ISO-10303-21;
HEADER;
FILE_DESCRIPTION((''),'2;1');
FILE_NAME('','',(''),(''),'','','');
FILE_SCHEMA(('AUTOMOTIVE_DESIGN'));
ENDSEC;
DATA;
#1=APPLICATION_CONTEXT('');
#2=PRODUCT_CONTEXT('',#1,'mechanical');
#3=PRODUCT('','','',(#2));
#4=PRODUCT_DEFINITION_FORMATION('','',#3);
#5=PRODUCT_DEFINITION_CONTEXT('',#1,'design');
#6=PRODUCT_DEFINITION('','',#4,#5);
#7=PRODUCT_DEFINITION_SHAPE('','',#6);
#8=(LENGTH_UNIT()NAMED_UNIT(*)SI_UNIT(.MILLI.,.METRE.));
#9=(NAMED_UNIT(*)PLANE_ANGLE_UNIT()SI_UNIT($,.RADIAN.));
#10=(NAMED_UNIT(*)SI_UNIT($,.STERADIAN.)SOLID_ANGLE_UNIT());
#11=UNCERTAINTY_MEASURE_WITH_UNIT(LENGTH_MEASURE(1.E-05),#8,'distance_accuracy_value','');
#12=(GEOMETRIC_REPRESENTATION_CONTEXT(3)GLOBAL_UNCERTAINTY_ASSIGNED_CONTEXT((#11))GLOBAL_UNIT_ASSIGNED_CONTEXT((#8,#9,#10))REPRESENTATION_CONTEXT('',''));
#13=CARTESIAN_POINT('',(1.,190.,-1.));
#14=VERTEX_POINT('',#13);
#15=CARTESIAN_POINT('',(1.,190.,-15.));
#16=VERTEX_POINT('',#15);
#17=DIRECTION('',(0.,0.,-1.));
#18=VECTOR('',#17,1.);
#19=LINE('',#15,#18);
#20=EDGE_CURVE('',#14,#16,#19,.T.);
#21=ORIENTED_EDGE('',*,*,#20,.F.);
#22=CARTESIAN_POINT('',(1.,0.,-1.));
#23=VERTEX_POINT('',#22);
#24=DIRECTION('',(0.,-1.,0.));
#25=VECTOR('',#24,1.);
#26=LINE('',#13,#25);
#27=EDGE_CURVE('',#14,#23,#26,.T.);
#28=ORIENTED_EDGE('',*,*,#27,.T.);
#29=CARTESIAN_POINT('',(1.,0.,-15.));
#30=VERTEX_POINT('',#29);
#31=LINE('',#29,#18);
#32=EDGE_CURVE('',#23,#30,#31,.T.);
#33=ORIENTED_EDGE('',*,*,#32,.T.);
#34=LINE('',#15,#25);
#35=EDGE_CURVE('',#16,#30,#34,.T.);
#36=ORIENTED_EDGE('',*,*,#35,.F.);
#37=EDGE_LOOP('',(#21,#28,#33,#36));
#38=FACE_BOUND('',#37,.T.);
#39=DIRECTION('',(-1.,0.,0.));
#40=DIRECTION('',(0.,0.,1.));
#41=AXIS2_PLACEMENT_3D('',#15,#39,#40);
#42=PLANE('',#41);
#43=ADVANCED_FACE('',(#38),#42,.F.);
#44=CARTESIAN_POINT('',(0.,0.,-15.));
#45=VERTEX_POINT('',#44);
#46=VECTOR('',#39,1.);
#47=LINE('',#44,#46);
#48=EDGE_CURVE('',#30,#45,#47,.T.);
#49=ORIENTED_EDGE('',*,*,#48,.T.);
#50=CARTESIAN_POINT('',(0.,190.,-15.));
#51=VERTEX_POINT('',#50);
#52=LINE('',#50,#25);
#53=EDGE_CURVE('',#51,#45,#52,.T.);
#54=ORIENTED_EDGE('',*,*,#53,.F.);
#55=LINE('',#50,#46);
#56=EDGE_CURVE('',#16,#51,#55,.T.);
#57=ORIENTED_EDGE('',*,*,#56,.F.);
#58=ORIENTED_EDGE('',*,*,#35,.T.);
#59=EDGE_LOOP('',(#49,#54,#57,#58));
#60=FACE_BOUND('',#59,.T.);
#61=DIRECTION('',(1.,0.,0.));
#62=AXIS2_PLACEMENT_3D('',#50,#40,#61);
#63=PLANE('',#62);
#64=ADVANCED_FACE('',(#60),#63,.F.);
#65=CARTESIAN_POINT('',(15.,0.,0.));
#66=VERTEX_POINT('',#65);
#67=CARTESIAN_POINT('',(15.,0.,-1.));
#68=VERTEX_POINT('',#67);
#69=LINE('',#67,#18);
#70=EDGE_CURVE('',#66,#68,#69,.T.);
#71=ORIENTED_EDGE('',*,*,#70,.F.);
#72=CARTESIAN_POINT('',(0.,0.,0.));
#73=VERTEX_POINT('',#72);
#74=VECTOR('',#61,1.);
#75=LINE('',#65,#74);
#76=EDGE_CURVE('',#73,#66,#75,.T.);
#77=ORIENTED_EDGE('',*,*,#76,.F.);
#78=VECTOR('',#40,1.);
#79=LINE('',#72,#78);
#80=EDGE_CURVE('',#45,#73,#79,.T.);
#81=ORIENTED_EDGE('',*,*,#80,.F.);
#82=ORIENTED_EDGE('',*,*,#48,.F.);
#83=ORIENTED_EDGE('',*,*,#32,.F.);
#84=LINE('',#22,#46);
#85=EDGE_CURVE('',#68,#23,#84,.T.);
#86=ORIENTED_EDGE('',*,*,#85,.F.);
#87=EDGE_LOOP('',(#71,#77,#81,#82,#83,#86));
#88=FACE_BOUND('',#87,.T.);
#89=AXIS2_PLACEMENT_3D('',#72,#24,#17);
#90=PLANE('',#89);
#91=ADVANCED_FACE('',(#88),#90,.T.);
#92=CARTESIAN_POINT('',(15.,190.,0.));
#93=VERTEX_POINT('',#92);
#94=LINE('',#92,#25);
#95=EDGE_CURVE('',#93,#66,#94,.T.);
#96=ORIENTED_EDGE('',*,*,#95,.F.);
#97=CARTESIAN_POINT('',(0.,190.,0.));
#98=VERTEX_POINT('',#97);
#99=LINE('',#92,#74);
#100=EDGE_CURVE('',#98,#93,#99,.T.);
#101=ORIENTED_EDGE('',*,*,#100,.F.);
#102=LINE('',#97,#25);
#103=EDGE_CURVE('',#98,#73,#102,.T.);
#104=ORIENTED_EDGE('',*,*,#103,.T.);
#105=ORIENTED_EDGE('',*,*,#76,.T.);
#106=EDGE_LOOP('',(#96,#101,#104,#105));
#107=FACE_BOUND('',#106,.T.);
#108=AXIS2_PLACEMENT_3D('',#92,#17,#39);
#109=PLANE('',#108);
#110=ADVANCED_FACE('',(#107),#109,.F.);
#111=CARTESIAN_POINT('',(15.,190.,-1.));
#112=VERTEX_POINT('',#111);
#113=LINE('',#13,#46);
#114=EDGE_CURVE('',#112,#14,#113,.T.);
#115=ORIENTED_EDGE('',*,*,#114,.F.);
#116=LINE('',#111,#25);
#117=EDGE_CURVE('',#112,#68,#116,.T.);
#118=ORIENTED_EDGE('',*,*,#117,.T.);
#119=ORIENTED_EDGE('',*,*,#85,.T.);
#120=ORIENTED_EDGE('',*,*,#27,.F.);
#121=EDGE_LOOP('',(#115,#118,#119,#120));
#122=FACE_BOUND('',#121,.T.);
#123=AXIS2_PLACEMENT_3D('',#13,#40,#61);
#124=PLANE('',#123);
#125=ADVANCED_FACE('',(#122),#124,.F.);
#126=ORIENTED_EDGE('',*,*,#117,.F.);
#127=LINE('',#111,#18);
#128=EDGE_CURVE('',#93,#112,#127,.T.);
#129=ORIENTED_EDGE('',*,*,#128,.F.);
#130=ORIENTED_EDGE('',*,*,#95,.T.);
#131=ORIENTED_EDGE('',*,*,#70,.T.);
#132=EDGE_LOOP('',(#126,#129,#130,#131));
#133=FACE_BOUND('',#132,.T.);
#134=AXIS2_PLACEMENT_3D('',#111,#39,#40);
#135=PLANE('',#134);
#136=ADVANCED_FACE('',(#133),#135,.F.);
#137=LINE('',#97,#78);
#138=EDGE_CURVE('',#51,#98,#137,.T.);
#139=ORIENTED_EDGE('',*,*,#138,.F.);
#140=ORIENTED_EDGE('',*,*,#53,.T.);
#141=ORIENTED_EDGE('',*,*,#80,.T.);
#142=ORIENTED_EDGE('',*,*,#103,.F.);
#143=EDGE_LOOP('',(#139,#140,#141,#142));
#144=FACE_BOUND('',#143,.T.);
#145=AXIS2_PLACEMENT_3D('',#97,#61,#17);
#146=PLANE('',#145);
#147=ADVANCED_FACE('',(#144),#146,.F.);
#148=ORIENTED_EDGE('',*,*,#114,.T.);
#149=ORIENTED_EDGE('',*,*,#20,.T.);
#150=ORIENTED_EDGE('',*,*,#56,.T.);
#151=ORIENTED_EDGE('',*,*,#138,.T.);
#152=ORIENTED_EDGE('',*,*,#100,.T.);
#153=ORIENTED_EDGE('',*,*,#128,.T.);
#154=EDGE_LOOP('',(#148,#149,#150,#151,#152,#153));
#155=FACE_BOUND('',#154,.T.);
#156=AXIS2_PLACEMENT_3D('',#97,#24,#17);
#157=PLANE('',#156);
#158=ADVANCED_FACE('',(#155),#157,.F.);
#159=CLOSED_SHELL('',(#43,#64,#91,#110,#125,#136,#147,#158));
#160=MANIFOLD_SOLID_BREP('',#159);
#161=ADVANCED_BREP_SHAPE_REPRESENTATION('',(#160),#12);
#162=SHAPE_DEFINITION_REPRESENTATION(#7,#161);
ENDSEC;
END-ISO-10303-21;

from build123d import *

# Parameters (mm, degrees)
EXTRUDE_1_DEPTH = 190


with BuildPart() as part:
    # Эскиз1 → Бобышка-Вытянуть1 (new body)
    with BuildSketch(Plane(origin=(0, 0, 0), x_dir=(1, 0, 0), z_dir=(0, 1, 0))):
        Polygon((0, 0), (0, 15), (1, 15), (1, 1), (15, 1), (15, 0), align=None)
    extrude(amount=EXTRUDE_1_DEPTH)


solid = part.part
